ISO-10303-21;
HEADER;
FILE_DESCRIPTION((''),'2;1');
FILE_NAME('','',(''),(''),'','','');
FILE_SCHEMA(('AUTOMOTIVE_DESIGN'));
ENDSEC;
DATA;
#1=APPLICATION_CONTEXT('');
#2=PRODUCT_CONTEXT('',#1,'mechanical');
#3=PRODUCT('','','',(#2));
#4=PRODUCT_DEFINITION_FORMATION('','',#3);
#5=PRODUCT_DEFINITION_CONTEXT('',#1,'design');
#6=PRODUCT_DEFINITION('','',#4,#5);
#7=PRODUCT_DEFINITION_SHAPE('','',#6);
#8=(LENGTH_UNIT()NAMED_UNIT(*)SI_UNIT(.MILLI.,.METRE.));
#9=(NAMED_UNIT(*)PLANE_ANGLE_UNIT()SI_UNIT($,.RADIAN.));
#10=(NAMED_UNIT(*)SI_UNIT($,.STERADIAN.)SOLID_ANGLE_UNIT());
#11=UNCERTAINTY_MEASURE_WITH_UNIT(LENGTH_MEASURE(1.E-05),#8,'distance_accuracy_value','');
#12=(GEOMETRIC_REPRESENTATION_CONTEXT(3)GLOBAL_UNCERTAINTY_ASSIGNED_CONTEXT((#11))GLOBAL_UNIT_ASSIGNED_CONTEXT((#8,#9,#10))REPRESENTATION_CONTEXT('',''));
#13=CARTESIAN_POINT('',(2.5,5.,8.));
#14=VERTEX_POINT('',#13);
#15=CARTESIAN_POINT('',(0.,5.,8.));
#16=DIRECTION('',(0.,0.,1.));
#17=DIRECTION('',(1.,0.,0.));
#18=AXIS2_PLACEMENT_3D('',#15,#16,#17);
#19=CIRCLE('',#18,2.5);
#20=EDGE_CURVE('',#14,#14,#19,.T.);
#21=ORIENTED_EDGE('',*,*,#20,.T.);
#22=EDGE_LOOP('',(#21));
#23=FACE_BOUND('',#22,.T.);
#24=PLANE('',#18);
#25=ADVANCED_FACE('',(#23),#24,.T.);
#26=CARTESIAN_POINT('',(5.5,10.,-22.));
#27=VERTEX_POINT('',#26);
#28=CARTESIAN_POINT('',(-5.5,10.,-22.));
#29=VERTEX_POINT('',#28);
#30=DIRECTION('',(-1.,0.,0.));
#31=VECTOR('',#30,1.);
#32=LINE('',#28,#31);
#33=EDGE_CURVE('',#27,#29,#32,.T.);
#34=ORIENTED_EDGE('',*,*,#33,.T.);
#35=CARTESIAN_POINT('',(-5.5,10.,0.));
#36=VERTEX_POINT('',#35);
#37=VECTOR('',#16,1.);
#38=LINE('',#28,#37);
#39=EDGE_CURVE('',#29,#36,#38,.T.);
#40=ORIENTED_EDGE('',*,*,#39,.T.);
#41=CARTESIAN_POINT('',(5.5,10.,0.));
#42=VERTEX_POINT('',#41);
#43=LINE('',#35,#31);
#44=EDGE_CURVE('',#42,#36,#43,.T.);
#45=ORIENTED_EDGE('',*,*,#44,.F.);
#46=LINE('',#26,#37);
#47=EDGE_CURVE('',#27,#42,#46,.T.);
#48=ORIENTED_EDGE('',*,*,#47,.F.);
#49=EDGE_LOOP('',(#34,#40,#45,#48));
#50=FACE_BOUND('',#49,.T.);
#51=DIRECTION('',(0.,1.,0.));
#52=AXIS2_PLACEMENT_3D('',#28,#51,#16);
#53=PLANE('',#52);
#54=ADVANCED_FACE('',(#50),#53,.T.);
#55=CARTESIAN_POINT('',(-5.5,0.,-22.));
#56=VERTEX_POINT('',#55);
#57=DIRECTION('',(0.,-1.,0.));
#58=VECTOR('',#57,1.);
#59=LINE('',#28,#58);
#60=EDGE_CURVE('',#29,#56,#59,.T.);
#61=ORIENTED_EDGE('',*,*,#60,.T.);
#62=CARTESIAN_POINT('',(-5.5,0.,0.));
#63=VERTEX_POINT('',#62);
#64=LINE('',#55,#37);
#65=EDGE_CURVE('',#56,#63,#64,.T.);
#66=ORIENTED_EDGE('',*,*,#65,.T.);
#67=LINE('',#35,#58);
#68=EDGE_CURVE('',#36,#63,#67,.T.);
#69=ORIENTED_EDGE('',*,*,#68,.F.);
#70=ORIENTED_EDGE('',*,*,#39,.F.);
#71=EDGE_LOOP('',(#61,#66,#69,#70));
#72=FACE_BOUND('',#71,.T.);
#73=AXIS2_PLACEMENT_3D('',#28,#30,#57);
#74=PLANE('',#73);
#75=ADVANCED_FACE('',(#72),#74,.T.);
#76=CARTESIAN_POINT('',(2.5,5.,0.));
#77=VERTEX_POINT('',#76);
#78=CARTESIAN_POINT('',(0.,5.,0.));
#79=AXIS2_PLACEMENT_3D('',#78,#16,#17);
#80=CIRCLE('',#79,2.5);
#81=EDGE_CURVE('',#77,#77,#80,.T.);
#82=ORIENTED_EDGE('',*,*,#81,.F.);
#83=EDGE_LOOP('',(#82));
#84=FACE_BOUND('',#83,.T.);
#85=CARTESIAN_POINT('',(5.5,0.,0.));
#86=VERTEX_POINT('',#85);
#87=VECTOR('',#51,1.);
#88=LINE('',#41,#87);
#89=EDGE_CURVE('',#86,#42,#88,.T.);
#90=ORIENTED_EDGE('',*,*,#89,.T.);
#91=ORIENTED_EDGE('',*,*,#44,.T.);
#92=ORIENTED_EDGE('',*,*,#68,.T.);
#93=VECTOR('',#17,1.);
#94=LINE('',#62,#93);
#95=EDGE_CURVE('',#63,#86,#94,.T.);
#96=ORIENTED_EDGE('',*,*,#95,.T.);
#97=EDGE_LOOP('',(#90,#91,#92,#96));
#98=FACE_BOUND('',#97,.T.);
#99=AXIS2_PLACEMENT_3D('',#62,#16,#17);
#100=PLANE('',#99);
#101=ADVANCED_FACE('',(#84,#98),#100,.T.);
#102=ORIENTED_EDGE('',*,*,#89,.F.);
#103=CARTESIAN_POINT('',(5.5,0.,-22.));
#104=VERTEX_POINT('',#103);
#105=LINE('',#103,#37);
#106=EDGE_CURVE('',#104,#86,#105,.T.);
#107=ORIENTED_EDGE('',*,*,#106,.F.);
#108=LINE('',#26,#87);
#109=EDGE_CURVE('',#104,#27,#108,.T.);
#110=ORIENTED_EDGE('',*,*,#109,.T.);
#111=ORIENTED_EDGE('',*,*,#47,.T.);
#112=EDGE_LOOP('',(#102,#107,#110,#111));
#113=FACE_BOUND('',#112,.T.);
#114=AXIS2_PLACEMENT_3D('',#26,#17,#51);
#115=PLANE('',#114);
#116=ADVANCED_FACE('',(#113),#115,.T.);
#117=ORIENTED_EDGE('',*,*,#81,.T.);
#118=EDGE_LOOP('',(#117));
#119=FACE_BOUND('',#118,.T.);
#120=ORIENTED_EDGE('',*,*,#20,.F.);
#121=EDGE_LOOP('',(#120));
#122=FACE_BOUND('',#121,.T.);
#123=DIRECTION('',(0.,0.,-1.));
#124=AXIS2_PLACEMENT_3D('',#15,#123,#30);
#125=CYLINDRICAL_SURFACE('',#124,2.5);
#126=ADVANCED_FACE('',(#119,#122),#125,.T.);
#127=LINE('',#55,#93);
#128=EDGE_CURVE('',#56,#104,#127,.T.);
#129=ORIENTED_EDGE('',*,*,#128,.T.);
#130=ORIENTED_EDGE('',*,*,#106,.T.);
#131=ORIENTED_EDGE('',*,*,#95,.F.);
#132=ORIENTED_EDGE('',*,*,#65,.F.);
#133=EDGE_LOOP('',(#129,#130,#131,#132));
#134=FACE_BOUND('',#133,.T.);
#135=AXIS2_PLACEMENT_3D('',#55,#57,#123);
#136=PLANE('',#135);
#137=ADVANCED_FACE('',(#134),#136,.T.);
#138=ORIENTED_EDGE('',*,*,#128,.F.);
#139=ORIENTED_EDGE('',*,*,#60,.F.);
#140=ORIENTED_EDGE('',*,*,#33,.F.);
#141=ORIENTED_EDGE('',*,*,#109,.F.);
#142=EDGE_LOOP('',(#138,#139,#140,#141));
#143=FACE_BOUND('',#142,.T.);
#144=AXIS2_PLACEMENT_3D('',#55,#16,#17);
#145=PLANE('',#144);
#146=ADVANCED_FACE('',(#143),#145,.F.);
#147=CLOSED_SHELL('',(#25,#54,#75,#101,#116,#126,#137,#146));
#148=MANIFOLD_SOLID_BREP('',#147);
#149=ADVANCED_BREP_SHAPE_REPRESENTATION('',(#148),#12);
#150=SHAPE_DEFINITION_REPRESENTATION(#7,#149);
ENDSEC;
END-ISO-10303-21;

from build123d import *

# Parameters (mm, degrees)
SKIZZE1_W               = 11
SKIZZE1_H               = 10
LINEAR_AUSTRAGEN1_DEPTH = 22
SKIZZE2_R               = 2.5
LINEAR_AUSTRAGEN2_DEPTH = 8


with BuildPart() as part:
    # Skizze1 → Linear austragen1 (new body)
    with BuildSketch(Plane.XY):
        with Locations((0, 5)):
            Rectangle(SKIZZE1_W, SKIZZE1_H)
    extrude(amount=-LINEAR_AUSTRAGEN1_DEPTH)

    # Skizze2 → Linear austragen2 (add)
    with BuildSketch(Plane.XY):
        with Locations((0, 5)):
            Circle(SKIZZE2_R)
    extrude(amount=LINEAR_AUSTRAGEN2_DEPTH)


solid = part.part
